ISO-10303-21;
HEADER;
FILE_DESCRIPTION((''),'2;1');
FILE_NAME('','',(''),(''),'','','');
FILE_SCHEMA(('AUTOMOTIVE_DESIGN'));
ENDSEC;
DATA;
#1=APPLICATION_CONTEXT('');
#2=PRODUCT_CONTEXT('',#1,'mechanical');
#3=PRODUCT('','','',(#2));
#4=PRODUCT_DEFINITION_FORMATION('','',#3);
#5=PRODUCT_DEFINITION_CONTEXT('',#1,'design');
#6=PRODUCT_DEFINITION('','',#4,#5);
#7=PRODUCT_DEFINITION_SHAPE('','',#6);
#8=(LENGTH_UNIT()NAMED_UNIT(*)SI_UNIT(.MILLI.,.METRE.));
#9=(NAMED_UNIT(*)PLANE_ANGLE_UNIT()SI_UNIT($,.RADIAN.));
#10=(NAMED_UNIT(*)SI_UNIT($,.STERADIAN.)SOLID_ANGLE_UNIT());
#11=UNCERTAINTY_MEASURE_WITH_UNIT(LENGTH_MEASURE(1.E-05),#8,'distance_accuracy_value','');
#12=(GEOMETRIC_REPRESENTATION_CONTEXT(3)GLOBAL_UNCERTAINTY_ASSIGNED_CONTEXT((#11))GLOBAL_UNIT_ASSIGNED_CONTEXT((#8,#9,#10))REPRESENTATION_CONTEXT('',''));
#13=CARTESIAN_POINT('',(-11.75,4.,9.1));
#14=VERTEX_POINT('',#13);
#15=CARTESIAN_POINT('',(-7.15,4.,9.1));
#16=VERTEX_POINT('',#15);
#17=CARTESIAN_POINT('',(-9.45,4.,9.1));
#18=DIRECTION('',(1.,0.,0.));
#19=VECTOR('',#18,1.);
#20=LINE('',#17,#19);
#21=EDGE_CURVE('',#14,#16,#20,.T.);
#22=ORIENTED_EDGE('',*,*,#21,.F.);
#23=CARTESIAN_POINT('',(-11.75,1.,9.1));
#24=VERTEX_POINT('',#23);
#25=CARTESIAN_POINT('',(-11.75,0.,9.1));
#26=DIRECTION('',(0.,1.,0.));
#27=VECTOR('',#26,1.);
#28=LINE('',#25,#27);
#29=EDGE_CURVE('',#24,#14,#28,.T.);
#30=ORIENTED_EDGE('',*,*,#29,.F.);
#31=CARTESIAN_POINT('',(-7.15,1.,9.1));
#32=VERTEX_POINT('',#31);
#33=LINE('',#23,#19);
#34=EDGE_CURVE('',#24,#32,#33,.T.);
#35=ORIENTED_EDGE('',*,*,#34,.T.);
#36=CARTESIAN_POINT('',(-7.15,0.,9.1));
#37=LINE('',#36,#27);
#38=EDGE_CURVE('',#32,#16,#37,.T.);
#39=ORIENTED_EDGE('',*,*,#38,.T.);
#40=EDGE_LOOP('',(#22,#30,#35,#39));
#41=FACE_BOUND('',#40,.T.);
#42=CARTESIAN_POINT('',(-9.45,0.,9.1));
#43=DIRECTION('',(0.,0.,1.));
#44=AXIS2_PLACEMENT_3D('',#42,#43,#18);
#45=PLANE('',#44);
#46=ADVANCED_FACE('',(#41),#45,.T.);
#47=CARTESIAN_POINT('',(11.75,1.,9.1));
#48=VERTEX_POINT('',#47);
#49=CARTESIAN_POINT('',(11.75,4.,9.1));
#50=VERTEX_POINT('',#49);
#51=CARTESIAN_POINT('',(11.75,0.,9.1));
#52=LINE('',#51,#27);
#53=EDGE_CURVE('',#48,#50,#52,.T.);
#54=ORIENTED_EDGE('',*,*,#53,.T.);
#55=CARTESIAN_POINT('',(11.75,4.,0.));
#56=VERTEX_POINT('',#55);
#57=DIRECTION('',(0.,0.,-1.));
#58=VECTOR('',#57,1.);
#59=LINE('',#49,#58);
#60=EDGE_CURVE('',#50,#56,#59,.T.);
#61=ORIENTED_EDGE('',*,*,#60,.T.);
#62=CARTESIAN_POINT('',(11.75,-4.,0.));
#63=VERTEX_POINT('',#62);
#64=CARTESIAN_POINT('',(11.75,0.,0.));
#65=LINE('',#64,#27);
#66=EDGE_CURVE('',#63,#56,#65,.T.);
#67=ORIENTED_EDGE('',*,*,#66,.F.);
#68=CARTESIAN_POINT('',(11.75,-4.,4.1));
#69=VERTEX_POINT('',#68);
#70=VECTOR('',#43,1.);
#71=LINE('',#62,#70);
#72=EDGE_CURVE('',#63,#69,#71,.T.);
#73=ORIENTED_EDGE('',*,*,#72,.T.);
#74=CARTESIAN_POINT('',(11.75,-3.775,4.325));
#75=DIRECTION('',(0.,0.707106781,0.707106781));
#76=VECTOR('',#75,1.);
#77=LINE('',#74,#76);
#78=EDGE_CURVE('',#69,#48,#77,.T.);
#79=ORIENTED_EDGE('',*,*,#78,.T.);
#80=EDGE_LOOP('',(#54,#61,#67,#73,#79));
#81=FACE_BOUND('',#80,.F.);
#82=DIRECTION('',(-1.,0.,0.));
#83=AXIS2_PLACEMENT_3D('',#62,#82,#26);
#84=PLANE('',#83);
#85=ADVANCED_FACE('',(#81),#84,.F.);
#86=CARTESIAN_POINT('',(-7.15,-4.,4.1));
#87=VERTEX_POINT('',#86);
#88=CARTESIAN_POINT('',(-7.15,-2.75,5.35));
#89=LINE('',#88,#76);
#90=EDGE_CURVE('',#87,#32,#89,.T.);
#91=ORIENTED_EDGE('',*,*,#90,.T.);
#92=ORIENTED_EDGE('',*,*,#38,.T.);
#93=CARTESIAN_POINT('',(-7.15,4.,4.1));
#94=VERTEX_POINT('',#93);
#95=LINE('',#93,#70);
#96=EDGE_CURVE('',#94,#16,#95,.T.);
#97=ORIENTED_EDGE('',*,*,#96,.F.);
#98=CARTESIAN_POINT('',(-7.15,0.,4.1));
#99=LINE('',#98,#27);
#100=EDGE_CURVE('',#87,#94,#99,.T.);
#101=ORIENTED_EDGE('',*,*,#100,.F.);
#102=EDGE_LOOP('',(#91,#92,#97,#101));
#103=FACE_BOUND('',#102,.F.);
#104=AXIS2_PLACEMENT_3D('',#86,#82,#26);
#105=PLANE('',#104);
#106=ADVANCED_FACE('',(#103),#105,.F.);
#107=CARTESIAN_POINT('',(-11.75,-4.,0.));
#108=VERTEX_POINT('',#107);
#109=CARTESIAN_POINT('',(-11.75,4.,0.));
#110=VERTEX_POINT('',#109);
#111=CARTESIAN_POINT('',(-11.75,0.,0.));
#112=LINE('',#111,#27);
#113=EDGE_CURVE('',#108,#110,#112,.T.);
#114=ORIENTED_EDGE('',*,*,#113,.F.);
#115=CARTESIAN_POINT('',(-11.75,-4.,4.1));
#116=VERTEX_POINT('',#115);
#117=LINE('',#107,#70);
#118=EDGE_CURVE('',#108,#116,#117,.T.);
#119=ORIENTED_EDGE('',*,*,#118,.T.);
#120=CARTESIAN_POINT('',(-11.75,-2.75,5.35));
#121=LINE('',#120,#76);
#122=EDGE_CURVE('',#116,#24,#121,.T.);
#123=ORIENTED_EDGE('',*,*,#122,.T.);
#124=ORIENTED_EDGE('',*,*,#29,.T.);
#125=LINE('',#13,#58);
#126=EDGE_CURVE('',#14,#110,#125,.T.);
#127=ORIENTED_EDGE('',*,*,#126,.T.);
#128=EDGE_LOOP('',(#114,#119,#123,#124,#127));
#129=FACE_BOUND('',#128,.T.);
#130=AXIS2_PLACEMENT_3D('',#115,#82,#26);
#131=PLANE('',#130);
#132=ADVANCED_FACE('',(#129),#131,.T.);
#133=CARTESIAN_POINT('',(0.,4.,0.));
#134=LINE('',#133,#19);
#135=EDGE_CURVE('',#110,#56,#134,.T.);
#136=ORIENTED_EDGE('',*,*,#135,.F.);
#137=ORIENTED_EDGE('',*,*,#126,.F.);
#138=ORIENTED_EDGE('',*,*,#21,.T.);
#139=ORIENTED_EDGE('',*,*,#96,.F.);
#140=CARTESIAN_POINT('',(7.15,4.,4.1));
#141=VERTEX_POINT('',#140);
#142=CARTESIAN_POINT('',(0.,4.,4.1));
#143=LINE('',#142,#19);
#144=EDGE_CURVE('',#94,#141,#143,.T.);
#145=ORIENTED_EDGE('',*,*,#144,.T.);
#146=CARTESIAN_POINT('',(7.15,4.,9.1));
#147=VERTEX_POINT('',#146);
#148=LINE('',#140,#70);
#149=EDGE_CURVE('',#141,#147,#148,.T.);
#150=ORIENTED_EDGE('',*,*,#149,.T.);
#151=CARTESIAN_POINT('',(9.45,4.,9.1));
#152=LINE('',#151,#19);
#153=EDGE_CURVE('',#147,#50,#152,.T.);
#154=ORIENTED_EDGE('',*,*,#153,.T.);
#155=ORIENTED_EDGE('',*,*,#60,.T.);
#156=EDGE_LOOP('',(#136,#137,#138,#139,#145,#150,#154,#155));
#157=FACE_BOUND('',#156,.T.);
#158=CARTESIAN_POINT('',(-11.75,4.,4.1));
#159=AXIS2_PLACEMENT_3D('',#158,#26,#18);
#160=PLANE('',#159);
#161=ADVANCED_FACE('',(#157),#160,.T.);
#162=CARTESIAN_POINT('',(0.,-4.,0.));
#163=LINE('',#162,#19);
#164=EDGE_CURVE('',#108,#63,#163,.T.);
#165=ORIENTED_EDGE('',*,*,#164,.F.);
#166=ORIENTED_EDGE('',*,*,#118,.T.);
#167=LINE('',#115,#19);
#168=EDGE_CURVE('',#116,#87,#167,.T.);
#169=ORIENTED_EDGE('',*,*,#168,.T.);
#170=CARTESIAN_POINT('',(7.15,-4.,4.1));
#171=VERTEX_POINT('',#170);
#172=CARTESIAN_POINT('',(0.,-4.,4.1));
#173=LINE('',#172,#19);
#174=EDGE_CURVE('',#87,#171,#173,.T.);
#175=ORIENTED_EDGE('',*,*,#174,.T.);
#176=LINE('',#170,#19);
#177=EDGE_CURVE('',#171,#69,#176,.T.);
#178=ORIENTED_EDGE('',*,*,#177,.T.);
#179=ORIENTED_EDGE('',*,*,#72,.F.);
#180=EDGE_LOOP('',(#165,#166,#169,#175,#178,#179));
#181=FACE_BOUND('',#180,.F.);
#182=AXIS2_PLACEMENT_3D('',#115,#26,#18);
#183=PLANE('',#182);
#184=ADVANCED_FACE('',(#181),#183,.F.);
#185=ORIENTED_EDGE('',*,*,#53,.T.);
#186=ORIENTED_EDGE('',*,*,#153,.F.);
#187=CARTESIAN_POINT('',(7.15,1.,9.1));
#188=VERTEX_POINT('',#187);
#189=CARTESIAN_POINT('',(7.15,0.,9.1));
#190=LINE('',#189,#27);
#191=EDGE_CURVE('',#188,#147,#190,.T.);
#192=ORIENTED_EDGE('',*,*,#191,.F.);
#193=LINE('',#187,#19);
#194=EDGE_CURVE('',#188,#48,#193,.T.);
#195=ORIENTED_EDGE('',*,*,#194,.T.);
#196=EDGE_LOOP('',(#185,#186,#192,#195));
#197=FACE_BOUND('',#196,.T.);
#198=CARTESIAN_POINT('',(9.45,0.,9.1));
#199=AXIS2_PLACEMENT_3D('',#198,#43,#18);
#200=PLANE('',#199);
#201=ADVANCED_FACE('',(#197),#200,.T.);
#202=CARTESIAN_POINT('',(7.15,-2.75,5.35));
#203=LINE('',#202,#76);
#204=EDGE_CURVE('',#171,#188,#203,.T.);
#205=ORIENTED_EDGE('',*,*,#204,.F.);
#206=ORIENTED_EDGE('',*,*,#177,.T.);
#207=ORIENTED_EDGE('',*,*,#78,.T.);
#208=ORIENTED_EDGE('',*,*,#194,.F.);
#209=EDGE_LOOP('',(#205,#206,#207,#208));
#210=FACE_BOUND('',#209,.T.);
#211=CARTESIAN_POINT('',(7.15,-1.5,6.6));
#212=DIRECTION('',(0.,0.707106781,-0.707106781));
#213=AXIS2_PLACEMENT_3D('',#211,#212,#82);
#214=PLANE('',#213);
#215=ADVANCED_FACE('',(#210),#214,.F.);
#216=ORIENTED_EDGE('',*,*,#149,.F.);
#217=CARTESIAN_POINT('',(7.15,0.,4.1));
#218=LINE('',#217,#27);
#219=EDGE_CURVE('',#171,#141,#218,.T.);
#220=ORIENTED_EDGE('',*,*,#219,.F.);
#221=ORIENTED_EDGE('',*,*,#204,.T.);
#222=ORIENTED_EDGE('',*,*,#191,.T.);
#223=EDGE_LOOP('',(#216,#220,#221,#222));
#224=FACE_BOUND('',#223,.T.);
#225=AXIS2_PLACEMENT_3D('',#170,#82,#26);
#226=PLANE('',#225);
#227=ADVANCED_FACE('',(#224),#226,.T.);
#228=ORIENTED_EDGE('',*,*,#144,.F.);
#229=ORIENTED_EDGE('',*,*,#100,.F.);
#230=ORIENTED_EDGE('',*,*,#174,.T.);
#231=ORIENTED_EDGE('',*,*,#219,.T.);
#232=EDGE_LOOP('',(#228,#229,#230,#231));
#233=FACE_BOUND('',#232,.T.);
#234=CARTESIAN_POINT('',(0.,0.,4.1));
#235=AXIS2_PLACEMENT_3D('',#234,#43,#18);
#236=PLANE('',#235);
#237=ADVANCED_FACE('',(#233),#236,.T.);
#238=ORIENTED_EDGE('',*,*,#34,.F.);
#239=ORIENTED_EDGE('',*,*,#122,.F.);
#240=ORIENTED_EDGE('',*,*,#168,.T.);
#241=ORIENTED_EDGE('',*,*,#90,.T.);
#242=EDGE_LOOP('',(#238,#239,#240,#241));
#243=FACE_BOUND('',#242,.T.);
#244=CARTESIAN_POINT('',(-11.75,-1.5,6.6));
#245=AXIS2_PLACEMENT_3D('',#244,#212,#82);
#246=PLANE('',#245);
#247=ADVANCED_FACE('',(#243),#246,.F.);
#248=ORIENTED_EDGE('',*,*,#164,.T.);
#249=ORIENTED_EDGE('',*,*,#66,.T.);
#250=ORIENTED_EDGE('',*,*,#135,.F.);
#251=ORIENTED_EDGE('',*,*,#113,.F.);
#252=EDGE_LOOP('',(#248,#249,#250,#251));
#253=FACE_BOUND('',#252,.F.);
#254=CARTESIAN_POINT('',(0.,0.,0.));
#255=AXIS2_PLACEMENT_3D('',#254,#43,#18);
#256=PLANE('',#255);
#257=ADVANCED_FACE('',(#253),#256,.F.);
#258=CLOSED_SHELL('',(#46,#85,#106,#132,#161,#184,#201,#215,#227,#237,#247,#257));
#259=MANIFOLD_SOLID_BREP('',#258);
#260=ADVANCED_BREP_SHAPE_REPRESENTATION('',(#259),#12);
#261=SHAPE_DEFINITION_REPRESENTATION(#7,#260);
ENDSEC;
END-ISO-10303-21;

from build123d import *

# Parameters (mm, degrees)
F0_W     = 23.5
F0_H     = 8
F1_DEPTH = 4.1
F2_W     = 4.6
F2_H     = 8
F3_DEPTH = 5
F4_SIZE  = 5


with BuildPart() as f1:
    # F0 (on Top) → F1 (new body)
    with BuildSketch(Plane.XY):
        Rectangle(F0_W, F0_H)
    extrude(amount=F1_DEPTH)

    # F2 (on face) → F3 (join)
    with BuildSketch(Plane.XY.offset(4.1)):
        with Locations((-9.45, 0)):
            Rectangle(F2_W, F2_H)
        with Locations((9.45, 0)):
            Rectangle(F2_W, F2_H)
    extrude(amount=F3_DEPTH)

    # F4
    f4_edges = [f1.edges().sort_by_distance(p)[0] for p in [
        (-9.45, -4, 9.1),
        (9.45, -4, 9.1),
    ]]
    chamfer(f4_edges, length=F4_SIZE)


solid = f1.part
